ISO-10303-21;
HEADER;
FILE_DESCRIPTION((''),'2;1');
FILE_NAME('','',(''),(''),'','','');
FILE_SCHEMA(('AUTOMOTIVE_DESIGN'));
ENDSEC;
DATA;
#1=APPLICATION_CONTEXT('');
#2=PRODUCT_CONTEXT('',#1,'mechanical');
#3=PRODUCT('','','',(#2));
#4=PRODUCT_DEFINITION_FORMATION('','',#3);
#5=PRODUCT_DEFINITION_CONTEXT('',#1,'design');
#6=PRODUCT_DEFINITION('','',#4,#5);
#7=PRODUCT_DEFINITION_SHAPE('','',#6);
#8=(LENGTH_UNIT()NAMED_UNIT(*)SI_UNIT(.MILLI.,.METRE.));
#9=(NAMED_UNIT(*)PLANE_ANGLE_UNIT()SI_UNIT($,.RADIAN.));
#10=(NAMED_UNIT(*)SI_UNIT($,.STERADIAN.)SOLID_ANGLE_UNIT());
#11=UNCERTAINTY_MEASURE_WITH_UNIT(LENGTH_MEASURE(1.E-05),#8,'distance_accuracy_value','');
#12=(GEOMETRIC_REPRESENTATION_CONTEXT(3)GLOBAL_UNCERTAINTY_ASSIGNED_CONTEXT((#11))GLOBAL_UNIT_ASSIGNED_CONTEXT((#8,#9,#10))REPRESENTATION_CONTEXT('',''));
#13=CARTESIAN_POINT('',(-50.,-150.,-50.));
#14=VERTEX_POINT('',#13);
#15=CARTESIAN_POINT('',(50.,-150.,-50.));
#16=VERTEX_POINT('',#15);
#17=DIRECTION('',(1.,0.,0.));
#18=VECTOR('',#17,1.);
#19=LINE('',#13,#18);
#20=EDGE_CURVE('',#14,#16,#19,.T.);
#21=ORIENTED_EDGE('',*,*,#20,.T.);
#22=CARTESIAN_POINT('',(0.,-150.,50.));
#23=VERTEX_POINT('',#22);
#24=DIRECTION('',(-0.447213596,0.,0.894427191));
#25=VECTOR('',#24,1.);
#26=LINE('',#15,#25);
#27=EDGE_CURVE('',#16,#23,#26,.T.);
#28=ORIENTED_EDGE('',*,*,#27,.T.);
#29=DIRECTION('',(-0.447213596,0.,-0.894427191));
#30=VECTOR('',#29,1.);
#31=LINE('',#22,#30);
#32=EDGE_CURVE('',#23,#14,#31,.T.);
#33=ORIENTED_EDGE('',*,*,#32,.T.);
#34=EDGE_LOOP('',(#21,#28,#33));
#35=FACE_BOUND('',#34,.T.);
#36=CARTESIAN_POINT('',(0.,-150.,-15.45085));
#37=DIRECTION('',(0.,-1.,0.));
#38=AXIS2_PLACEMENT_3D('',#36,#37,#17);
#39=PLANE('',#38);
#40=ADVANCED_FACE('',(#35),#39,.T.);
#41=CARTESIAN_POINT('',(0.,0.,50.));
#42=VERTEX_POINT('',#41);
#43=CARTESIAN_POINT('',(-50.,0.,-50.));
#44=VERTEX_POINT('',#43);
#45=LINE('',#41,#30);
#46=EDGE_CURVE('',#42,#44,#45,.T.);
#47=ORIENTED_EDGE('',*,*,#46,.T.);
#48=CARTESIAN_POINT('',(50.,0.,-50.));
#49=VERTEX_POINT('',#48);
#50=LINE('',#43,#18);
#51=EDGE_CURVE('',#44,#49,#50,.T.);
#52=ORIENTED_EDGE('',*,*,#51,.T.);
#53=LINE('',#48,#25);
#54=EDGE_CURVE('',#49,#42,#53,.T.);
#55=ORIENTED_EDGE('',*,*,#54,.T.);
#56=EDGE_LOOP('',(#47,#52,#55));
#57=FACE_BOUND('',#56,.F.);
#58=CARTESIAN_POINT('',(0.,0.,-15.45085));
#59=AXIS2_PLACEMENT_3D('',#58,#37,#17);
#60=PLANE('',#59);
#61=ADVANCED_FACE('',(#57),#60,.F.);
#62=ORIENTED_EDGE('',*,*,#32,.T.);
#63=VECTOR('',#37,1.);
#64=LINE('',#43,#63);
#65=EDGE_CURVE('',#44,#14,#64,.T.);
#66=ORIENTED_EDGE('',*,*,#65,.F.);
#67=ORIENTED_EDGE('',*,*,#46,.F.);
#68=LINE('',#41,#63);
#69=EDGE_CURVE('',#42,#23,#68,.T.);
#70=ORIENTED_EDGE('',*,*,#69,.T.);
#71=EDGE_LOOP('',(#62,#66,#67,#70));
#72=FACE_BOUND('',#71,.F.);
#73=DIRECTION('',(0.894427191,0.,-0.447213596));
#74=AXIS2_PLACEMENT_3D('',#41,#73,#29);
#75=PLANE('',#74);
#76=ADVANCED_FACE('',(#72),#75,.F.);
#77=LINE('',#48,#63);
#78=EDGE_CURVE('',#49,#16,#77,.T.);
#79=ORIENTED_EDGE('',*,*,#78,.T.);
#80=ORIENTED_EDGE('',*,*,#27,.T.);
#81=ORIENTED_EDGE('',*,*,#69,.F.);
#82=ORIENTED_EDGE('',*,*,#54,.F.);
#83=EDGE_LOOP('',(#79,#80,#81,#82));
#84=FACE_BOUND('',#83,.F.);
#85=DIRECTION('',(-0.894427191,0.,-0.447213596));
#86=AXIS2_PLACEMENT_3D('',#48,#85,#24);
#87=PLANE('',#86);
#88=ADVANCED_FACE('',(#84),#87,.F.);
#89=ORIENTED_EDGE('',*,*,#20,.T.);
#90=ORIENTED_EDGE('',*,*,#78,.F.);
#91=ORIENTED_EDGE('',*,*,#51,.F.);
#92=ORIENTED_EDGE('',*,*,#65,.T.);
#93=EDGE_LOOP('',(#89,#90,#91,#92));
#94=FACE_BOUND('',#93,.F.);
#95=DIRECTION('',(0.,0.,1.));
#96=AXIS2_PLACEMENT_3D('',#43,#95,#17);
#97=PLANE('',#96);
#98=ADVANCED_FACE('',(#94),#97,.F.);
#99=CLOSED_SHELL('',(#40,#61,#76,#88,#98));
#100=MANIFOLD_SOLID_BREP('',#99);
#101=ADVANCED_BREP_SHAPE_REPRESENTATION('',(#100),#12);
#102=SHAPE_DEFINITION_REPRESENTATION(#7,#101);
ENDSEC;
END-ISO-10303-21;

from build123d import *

# Parameters (mm, degrees)
F1_DEPTH = 150
F2_R     = 20.8605971887
F3_DEPTH = 25
F3_TAPER = -3


with BuildPart() as f1:
    # F0 (on Front) → F1 (new body)
    with BuildSketch(Plane.XZ):
        Polygon((0, 50), (-50, -50), (50, -50), align=None)
    extrude(amount=F1_DEPTH)

    # F2 (on face) → F3 (cut)
    with BuildSketch(Plane.XZ.offset(150)):
        Circle(F2_R)
    extrude(amount=F3_DEPTH, taper=F3_TAPER, mode=Mode.SUBTRACT)


solid = f1.part
